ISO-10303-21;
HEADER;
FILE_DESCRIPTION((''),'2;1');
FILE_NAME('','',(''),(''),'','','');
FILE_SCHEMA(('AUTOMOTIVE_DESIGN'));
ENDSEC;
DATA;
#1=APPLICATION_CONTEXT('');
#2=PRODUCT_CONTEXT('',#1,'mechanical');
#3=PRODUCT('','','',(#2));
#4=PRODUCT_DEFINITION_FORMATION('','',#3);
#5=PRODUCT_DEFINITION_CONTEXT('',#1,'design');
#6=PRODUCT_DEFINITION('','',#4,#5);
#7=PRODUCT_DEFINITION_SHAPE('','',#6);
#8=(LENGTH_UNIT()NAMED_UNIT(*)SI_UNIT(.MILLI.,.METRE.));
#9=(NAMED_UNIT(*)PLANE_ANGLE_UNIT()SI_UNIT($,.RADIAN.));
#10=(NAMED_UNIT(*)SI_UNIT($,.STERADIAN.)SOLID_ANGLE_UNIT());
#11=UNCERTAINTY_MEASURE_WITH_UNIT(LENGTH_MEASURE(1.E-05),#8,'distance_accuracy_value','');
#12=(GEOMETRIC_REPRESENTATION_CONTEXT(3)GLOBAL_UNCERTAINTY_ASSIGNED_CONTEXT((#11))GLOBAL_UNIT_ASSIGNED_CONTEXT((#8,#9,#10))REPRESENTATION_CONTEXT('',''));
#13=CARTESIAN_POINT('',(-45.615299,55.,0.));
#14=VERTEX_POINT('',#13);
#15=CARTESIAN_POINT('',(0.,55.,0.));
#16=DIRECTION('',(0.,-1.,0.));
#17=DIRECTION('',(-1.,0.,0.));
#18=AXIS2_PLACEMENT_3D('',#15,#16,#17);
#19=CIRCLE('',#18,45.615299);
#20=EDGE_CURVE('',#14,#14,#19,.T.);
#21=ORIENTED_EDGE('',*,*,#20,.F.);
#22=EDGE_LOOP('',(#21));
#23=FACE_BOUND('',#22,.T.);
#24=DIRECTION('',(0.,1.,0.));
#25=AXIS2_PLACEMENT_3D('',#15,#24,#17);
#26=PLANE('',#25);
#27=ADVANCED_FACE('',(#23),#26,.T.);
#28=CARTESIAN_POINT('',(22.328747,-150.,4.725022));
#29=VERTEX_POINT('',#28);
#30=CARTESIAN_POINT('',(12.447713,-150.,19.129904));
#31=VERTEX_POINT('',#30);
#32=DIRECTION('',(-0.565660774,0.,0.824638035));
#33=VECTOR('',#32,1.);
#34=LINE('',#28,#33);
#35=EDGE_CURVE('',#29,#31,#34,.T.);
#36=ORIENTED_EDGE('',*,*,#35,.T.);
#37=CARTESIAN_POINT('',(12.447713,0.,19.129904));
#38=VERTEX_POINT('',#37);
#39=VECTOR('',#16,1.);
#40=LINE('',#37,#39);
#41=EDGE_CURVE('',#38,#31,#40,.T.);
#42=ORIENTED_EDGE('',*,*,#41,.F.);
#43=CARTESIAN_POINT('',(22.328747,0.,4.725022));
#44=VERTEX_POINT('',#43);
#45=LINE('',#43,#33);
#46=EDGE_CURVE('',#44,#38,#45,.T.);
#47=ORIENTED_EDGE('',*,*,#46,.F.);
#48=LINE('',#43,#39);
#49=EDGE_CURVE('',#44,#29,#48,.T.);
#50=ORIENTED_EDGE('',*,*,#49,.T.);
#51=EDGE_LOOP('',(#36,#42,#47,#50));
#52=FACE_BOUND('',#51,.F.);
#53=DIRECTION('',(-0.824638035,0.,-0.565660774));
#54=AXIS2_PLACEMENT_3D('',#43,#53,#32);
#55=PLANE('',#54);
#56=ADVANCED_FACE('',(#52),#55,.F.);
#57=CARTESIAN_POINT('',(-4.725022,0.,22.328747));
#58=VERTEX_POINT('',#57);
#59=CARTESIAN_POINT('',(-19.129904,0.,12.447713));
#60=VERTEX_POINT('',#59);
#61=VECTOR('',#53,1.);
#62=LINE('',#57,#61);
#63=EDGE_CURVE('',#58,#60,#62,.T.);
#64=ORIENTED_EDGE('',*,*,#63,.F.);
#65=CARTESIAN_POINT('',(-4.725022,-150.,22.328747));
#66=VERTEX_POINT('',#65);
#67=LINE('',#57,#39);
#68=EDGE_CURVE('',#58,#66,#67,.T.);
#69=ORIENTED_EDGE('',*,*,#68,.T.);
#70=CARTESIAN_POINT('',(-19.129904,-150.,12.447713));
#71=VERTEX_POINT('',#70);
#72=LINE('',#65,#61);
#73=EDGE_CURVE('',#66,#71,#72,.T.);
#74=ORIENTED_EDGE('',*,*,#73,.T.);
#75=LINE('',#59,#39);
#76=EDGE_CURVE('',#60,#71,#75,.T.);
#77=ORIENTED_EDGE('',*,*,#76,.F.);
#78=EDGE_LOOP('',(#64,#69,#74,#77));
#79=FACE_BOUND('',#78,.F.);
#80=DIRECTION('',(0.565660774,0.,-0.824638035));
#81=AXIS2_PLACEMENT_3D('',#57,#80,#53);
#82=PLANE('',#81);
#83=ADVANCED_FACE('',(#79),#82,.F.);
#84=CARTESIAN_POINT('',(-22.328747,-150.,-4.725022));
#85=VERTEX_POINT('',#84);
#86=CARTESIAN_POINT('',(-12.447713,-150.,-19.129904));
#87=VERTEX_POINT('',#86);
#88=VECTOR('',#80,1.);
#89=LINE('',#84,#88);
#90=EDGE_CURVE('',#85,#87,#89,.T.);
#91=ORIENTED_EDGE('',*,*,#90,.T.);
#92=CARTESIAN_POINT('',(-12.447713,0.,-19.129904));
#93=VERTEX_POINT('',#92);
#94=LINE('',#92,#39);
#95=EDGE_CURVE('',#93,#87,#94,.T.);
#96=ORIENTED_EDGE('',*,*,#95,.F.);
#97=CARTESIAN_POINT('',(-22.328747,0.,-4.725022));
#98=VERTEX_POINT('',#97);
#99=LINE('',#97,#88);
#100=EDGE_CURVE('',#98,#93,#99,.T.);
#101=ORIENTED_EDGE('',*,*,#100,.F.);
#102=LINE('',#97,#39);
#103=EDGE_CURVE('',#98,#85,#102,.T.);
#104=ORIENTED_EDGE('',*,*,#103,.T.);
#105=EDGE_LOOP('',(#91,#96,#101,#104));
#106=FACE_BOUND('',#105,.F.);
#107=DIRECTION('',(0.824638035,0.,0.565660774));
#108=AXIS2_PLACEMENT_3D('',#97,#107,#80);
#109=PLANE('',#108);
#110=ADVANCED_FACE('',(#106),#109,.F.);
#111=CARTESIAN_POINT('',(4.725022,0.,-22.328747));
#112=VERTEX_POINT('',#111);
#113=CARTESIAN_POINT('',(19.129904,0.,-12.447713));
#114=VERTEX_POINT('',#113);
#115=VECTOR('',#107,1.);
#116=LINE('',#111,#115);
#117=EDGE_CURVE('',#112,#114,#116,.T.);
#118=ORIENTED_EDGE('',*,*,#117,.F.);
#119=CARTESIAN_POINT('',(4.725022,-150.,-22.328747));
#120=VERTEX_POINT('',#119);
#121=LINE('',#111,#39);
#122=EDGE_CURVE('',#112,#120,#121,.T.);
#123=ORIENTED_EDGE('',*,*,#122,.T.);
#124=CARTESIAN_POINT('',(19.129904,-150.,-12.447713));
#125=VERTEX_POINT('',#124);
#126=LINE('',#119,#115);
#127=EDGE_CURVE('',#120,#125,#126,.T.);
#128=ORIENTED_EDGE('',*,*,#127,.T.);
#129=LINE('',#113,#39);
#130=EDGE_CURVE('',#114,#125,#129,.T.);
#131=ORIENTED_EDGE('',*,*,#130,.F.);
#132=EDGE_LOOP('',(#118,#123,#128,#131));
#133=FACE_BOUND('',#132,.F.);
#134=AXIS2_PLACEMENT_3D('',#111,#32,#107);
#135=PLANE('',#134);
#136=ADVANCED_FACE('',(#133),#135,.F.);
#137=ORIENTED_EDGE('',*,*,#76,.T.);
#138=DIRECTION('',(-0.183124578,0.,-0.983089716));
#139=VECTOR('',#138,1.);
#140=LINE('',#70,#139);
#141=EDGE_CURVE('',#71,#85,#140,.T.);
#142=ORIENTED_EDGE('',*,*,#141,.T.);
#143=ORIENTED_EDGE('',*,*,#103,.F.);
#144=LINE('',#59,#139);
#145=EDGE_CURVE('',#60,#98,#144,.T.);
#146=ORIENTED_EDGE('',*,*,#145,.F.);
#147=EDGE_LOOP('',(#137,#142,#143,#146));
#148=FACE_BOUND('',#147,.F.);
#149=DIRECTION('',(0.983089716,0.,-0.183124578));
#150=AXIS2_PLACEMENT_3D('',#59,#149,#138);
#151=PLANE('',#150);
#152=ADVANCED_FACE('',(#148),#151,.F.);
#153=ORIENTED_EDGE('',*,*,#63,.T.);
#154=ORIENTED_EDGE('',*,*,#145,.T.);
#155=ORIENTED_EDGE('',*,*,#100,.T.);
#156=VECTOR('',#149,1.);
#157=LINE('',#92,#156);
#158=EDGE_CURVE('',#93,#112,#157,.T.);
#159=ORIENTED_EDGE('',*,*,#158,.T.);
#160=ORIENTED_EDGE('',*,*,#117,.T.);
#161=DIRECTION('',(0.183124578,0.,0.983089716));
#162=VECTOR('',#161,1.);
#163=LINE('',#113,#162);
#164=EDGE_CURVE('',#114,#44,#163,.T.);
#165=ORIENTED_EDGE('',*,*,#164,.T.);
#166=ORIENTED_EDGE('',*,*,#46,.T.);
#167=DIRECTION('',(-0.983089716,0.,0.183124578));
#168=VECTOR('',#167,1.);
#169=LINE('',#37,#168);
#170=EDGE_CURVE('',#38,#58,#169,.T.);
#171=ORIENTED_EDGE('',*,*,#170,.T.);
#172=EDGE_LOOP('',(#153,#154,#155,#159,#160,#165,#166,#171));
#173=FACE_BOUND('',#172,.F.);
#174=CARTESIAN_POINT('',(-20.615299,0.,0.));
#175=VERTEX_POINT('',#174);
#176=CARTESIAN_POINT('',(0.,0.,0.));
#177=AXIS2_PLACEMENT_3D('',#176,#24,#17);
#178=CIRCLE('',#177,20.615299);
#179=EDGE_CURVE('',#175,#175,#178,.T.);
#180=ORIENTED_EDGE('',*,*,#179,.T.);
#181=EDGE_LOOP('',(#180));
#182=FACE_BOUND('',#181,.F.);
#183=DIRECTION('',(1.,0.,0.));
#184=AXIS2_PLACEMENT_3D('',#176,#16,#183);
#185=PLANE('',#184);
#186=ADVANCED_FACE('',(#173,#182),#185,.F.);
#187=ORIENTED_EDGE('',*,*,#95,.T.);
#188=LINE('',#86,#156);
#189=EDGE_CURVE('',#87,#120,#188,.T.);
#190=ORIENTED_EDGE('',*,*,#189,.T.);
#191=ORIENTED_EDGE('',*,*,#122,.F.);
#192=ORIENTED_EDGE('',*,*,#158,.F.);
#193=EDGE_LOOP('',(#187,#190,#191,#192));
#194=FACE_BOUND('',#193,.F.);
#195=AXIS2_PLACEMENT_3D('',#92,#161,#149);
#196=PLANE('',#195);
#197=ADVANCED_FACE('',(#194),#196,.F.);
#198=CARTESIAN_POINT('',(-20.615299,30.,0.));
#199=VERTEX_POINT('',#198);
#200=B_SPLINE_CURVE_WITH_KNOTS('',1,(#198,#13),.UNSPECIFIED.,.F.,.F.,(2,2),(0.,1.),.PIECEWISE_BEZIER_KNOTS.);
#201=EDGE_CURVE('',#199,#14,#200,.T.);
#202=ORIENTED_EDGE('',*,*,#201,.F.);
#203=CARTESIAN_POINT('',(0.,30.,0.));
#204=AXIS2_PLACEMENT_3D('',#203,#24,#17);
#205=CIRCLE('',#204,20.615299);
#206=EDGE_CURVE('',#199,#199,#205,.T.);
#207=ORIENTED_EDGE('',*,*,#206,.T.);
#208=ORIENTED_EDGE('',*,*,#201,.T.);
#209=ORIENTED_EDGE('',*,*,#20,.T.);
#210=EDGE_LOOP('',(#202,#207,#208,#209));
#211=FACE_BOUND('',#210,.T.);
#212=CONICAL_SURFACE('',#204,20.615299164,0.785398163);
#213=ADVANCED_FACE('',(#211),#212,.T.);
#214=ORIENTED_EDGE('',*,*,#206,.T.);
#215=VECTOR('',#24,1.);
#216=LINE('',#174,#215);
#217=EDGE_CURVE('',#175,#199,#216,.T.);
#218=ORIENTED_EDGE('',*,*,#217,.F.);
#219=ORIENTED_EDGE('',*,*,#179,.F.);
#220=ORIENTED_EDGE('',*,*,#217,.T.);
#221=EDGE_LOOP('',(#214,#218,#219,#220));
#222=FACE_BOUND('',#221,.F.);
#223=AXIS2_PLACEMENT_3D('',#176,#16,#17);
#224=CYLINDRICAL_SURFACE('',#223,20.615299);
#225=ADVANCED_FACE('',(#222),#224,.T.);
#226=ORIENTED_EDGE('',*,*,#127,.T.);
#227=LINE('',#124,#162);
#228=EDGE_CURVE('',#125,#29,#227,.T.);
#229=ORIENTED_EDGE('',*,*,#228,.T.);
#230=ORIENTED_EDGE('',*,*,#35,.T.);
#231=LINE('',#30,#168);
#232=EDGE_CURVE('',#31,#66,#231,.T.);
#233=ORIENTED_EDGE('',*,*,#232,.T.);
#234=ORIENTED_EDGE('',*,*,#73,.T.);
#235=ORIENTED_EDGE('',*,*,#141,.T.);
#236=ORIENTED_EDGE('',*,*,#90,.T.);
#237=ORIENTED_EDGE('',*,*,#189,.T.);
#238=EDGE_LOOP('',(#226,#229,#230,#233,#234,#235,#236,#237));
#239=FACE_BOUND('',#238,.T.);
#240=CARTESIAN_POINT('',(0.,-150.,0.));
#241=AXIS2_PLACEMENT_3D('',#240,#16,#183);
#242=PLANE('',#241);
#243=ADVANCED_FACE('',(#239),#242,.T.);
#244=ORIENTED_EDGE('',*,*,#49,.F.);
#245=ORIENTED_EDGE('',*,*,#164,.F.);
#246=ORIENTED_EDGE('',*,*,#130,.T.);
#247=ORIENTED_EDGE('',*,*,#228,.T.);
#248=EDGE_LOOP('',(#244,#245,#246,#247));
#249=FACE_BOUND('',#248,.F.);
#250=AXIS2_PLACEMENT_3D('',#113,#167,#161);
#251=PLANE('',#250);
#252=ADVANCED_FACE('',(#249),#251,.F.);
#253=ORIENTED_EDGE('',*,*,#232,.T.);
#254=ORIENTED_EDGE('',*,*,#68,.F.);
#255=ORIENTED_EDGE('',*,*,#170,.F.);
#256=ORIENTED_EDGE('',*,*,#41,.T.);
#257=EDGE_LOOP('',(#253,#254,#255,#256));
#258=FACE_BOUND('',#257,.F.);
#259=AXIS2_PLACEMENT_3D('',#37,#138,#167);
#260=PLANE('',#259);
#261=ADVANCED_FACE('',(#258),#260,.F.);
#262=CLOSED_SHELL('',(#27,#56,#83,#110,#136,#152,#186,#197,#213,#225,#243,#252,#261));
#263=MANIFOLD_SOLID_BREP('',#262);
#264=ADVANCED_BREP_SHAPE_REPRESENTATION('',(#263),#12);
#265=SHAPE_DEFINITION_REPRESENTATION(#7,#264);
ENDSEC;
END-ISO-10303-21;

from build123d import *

# Parameters (mm, degrees)
F1_DEPTH  = 150
F2_R      = 20.6152991637
F3_DEPTH  = 30
F3_FACE_R = 20.6152991637
F4_DEPTH  = 25
F4_TAPER  = -45


with BuildPart() as f1:
    # F0 (on Front) → F1 (new body)
    with BuildSketch(Plane.XZ):
        Polygon((4.725022344, -22.3287471763), (19.1299038845, -12.447713203), (22.3287471763, 4.725022344), (12.447713203, 19.1299038845), (-4.725022344, 22.3287471763), (-19.1299038845, 12.447713203), (-22.3287471763, -4.725022344), (-12.447713203, -19.1299038845), align=None)
    extrude(amount=F1_DEPTH)

    # F2 (on face) → F3 (join)
    with BuildSketch(Plane(origin=(0, 0, 0), x_dir=(-1, 0, 0), z_dir=(0, 1, 0))):
        Circle(F2_R)
    extrude(amount=F3_DEPTH)

    # F3_face (on face) → F4 (join)
    with BuildSketch(Plane(origin=(0, 30, 0), x_dir=(-1, 0, 0), z_dir=(0, 1, 0))):
        Circle(F3_FACE_R)
    extrude(amount=F4_DEPTH, taper=F4_TAPER)


solid = f1.part
